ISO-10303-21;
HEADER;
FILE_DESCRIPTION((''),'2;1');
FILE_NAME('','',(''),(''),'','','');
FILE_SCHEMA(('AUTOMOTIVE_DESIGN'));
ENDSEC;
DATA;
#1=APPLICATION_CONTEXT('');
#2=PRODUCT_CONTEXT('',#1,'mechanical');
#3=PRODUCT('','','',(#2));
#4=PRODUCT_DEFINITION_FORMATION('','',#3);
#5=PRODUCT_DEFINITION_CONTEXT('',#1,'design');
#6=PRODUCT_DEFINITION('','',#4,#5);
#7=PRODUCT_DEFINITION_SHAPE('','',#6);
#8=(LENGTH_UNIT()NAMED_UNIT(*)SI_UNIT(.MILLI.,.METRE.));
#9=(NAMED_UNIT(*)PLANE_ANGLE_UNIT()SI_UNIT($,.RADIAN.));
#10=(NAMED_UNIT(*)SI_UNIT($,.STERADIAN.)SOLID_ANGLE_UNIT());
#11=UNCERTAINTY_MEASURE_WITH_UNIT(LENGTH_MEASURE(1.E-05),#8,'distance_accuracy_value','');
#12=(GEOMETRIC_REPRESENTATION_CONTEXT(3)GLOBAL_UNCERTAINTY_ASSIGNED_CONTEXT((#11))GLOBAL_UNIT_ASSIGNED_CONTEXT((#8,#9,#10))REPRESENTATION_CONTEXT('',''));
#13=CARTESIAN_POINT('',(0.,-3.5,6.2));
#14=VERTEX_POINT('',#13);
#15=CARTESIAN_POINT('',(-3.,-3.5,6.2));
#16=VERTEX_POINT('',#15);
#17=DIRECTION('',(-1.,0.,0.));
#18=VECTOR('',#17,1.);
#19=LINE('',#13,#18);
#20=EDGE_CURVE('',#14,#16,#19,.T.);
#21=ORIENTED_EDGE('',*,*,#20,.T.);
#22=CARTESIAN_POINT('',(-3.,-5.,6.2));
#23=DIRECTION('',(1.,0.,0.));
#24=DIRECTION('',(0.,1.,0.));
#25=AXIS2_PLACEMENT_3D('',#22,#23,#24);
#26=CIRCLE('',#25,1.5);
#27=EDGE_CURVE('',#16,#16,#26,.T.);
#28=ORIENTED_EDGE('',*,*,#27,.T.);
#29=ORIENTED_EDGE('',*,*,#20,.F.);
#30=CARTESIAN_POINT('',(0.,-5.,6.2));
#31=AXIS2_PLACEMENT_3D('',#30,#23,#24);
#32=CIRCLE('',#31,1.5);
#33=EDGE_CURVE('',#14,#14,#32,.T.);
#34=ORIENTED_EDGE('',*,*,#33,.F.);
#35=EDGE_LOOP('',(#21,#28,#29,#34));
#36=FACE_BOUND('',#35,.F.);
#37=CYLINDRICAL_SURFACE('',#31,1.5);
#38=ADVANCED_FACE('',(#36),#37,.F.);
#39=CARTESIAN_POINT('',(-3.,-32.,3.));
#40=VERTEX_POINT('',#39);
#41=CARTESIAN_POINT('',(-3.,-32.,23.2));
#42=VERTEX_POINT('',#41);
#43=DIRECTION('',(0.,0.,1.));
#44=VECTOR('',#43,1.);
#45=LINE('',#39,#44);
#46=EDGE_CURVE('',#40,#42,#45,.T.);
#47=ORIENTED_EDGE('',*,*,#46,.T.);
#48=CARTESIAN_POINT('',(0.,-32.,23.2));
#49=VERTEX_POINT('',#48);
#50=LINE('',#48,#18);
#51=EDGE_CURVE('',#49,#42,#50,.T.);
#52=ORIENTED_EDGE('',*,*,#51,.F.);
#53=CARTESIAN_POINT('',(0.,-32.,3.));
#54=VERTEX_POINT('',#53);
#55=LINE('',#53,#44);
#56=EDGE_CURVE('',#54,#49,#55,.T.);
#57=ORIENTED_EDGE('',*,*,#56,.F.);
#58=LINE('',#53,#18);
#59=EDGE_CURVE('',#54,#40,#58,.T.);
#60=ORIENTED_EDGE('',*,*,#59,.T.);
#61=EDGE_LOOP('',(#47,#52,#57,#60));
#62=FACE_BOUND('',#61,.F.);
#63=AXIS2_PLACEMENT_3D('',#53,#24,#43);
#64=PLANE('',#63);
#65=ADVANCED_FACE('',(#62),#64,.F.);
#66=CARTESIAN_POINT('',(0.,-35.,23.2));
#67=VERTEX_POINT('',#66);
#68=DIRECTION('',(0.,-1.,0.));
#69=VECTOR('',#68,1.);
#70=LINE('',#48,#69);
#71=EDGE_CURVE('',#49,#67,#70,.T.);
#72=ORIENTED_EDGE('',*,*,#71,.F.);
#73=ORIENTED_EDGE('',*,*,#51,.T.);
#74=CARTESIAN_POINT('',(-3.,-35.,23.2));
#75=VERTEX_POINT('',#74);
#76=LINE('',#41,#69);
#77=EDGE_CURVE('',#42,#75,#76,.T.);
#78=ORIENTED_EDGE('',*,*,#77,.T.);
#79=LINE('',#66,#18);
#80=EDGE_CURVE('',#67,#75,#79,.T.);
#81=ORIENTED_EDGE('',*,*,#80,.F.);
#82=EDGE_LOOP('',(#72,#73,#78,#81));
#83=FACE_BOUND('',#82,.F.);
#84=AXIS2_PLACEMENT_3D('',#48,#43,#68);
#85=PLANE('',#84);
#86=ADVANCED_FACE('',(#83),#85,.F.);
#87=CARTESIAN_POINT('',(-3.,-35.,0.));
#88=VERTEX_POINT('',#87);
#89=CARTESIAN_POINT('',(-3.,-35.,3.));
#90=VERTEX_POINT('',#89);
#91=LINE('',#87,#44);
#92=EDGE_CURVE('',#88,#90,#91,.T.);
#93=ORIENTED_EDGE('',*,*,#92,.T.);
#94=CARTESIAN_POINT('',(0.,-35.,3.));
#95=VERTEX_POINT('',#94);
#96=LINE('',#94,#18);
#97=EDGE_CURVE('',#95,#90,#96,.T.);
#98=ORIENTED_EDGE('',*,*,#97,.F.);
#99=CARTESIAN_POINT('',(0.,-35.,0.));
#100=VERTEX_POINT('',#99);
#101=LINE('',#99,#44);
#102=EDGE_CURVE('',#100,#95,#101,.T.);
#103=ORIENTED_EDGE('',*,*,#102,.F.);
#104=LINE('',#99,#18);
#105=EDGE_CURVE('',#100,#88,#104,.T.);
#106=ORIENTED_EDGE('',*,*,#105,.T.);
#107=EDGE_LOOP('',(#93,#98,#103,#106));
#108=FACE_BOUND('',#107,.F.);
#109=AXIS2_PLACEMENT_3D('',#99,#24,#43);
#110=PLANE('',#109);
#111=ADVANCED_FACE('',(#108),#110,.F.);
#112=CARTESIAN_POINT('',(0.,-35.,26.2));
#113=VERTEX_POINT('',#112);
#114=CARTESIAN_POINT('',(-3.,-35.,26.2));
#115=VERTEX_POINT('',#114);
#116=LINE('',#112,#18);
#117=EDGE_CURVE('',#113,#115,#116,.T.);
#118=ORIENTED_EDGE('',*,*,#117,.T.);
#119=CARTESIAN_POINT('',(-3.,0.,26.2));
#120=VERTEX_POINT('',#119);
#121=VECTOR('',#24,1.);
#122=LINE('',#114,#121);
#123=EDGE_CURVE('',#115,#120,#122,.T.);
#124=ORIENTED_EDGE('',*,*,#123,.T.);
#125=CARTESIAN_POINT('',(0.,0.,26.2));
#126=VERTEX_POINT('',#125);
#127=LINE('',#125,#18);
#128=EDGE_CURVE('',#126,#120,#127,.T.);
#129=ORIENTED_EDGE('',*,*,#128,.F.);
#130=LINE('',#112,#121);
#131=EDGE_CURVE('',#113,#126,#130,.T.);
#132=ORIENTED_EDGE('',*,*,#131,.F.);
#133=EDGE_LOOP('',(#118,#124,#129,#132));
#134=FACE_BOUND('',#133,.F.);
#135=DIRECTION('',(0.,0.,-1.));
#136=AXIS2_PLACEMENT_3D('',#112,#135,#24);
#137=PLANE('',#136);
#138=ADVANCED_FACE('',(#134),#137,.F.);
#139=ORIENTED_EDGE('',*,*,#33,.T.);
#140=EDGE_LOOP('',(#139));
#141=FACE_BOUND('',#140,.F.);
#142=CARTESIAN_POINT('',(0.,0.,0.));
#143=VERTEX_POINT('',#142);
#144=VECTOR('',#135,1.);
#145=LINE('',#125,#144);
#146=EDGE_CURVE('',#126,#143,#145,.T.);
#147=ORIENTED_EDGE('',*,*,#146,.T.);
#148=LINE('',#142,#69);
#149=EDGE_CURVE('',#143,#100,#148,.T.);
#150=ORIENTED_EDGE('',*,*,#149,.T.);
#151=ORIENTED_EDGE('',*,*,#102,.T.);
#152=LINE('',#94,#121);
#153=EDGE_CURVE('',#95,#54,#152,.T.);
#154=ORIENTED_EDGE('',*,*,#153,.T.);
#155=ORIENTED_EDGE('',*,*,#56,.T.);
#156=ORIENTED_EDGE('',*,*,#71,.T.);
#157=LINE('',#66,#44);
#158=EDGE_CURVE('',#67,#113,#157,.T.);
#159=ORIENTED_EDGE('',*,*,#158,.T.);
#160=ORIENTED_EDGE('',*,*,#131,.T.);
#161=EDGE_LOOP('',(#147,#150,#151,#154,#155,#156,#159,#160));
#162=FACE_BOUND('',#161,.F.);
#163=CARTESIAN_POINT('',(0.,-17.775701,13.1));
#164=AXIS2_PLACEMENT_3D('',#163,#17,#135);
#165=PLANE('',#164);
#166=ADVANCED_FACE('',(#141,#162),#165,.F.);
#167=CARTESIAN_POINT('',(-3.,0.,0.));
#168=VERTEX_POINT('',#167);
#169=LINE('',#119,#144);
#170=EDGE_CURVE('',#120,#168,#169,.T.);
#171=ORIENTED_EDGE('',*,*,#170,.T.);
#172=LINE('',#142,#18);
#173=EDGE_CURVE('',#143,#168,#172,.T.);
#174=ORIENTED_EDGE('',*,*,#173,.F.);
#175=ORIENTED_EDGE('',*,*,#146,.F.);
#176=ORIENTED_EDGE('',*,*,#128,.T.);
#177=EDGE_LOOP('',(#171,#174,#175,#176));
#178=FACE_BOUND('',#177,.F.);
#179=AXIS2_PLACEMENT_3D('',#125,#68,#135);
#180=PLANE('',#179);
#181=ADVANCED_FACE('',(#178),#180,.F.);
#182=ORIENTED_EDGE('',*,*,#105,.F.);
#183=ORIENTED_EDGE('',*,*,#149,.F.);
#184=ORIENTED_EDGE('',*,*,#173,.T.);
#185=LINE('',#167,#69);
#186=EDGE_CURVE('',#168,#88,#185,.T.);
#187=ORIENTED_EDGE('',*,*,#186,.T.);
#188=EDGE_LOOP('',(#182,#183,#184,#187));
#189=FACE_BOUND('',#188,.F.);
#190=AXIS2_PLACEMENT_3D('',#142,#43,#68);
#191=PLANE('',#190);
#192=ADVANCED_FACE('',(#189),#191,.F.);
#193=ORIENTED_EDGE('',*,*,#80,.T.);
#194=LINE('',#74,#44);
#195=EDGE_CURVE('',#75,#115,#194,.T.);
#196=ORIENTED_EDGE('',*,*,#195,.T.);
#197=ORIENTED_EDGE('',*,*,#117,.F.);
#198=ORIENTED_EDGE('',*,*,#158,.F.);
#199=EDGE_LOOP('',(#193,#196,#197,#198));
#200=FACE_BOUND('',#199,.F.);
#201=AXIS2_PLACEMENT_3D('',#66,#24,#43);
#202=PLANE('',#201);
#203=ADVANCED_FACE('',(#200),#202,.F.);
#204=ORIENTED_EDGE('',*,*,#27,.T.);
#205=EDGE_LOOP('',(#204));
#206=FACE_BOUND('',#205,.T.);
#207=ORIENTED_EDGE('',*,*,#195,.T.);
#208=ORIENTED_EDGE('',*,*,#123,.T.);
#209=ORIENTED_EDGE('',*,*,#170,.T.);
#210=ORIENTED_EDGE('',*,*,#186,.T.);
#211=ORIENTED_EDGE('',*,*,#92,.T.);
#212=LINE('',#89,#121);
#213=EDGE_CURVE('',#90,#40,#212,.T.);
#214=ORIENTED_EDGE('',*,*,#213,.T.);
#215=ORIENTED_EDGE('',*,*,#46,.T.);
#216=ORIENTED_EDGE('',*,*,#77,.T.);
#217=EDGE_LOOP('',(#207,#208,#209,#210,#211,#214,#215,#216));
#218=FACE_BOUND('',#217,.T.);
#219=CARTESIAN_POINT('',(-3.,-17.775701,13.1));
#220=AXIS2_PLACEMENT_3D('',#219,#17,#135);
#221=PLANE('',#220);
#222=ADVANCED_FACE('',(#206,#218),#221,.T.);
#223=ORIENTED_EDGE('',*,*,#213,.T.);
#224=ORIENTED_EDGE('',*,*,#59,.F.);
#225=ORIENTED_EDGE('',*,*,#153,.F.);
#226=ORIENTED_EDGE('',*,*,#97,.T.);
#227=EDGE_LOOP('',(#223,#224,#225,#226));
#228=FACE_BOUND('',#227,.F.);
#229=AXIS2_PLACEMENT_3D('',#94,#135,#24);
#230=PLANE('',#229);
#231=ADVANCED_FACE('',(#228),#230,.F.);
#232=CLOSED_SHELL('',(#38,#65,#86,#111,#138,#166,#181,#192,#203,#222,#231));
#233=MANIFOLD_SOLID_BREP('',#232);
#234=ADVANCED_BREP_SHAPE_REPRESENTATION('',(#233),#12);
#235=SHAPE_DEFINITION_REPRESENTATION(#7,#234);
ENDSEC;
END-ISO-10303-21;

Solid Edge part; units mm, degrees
sketch "Sketch1" plane through (0, 0, 0) normal (1, 0, 0) x (0, 1, 0)
  circle A0 centre (-5, 6.2) radius 1.5
  line L0 (0, 26.2) -> (0, 0)
  line L1 (0, 0) -> (-35, 0)
  line L2 (-35, 0) -> (-35, 3)
  line L3 (-35, 3) -> (-32, 3)
  line L4 (-32, 3) -> (-32, 23.2)
  line L5 (-32, 23.2) -> (-35, 23.2)
  line L6 (-35, 23.2) -> (-35, 26.2)
  line L7 (-35, 26.2) -> (0, 26.2)
  dimension "D1" = 3
  dimension "D2" = 3
  dimension "D3" = 20.2
  dimension "D4" = 20
  dimension "D5" = 27
  dimension "D6" = 5
extrude "Protrusion1" add sketch "Sketch1" against normal blind 3
properties material "Acier"
